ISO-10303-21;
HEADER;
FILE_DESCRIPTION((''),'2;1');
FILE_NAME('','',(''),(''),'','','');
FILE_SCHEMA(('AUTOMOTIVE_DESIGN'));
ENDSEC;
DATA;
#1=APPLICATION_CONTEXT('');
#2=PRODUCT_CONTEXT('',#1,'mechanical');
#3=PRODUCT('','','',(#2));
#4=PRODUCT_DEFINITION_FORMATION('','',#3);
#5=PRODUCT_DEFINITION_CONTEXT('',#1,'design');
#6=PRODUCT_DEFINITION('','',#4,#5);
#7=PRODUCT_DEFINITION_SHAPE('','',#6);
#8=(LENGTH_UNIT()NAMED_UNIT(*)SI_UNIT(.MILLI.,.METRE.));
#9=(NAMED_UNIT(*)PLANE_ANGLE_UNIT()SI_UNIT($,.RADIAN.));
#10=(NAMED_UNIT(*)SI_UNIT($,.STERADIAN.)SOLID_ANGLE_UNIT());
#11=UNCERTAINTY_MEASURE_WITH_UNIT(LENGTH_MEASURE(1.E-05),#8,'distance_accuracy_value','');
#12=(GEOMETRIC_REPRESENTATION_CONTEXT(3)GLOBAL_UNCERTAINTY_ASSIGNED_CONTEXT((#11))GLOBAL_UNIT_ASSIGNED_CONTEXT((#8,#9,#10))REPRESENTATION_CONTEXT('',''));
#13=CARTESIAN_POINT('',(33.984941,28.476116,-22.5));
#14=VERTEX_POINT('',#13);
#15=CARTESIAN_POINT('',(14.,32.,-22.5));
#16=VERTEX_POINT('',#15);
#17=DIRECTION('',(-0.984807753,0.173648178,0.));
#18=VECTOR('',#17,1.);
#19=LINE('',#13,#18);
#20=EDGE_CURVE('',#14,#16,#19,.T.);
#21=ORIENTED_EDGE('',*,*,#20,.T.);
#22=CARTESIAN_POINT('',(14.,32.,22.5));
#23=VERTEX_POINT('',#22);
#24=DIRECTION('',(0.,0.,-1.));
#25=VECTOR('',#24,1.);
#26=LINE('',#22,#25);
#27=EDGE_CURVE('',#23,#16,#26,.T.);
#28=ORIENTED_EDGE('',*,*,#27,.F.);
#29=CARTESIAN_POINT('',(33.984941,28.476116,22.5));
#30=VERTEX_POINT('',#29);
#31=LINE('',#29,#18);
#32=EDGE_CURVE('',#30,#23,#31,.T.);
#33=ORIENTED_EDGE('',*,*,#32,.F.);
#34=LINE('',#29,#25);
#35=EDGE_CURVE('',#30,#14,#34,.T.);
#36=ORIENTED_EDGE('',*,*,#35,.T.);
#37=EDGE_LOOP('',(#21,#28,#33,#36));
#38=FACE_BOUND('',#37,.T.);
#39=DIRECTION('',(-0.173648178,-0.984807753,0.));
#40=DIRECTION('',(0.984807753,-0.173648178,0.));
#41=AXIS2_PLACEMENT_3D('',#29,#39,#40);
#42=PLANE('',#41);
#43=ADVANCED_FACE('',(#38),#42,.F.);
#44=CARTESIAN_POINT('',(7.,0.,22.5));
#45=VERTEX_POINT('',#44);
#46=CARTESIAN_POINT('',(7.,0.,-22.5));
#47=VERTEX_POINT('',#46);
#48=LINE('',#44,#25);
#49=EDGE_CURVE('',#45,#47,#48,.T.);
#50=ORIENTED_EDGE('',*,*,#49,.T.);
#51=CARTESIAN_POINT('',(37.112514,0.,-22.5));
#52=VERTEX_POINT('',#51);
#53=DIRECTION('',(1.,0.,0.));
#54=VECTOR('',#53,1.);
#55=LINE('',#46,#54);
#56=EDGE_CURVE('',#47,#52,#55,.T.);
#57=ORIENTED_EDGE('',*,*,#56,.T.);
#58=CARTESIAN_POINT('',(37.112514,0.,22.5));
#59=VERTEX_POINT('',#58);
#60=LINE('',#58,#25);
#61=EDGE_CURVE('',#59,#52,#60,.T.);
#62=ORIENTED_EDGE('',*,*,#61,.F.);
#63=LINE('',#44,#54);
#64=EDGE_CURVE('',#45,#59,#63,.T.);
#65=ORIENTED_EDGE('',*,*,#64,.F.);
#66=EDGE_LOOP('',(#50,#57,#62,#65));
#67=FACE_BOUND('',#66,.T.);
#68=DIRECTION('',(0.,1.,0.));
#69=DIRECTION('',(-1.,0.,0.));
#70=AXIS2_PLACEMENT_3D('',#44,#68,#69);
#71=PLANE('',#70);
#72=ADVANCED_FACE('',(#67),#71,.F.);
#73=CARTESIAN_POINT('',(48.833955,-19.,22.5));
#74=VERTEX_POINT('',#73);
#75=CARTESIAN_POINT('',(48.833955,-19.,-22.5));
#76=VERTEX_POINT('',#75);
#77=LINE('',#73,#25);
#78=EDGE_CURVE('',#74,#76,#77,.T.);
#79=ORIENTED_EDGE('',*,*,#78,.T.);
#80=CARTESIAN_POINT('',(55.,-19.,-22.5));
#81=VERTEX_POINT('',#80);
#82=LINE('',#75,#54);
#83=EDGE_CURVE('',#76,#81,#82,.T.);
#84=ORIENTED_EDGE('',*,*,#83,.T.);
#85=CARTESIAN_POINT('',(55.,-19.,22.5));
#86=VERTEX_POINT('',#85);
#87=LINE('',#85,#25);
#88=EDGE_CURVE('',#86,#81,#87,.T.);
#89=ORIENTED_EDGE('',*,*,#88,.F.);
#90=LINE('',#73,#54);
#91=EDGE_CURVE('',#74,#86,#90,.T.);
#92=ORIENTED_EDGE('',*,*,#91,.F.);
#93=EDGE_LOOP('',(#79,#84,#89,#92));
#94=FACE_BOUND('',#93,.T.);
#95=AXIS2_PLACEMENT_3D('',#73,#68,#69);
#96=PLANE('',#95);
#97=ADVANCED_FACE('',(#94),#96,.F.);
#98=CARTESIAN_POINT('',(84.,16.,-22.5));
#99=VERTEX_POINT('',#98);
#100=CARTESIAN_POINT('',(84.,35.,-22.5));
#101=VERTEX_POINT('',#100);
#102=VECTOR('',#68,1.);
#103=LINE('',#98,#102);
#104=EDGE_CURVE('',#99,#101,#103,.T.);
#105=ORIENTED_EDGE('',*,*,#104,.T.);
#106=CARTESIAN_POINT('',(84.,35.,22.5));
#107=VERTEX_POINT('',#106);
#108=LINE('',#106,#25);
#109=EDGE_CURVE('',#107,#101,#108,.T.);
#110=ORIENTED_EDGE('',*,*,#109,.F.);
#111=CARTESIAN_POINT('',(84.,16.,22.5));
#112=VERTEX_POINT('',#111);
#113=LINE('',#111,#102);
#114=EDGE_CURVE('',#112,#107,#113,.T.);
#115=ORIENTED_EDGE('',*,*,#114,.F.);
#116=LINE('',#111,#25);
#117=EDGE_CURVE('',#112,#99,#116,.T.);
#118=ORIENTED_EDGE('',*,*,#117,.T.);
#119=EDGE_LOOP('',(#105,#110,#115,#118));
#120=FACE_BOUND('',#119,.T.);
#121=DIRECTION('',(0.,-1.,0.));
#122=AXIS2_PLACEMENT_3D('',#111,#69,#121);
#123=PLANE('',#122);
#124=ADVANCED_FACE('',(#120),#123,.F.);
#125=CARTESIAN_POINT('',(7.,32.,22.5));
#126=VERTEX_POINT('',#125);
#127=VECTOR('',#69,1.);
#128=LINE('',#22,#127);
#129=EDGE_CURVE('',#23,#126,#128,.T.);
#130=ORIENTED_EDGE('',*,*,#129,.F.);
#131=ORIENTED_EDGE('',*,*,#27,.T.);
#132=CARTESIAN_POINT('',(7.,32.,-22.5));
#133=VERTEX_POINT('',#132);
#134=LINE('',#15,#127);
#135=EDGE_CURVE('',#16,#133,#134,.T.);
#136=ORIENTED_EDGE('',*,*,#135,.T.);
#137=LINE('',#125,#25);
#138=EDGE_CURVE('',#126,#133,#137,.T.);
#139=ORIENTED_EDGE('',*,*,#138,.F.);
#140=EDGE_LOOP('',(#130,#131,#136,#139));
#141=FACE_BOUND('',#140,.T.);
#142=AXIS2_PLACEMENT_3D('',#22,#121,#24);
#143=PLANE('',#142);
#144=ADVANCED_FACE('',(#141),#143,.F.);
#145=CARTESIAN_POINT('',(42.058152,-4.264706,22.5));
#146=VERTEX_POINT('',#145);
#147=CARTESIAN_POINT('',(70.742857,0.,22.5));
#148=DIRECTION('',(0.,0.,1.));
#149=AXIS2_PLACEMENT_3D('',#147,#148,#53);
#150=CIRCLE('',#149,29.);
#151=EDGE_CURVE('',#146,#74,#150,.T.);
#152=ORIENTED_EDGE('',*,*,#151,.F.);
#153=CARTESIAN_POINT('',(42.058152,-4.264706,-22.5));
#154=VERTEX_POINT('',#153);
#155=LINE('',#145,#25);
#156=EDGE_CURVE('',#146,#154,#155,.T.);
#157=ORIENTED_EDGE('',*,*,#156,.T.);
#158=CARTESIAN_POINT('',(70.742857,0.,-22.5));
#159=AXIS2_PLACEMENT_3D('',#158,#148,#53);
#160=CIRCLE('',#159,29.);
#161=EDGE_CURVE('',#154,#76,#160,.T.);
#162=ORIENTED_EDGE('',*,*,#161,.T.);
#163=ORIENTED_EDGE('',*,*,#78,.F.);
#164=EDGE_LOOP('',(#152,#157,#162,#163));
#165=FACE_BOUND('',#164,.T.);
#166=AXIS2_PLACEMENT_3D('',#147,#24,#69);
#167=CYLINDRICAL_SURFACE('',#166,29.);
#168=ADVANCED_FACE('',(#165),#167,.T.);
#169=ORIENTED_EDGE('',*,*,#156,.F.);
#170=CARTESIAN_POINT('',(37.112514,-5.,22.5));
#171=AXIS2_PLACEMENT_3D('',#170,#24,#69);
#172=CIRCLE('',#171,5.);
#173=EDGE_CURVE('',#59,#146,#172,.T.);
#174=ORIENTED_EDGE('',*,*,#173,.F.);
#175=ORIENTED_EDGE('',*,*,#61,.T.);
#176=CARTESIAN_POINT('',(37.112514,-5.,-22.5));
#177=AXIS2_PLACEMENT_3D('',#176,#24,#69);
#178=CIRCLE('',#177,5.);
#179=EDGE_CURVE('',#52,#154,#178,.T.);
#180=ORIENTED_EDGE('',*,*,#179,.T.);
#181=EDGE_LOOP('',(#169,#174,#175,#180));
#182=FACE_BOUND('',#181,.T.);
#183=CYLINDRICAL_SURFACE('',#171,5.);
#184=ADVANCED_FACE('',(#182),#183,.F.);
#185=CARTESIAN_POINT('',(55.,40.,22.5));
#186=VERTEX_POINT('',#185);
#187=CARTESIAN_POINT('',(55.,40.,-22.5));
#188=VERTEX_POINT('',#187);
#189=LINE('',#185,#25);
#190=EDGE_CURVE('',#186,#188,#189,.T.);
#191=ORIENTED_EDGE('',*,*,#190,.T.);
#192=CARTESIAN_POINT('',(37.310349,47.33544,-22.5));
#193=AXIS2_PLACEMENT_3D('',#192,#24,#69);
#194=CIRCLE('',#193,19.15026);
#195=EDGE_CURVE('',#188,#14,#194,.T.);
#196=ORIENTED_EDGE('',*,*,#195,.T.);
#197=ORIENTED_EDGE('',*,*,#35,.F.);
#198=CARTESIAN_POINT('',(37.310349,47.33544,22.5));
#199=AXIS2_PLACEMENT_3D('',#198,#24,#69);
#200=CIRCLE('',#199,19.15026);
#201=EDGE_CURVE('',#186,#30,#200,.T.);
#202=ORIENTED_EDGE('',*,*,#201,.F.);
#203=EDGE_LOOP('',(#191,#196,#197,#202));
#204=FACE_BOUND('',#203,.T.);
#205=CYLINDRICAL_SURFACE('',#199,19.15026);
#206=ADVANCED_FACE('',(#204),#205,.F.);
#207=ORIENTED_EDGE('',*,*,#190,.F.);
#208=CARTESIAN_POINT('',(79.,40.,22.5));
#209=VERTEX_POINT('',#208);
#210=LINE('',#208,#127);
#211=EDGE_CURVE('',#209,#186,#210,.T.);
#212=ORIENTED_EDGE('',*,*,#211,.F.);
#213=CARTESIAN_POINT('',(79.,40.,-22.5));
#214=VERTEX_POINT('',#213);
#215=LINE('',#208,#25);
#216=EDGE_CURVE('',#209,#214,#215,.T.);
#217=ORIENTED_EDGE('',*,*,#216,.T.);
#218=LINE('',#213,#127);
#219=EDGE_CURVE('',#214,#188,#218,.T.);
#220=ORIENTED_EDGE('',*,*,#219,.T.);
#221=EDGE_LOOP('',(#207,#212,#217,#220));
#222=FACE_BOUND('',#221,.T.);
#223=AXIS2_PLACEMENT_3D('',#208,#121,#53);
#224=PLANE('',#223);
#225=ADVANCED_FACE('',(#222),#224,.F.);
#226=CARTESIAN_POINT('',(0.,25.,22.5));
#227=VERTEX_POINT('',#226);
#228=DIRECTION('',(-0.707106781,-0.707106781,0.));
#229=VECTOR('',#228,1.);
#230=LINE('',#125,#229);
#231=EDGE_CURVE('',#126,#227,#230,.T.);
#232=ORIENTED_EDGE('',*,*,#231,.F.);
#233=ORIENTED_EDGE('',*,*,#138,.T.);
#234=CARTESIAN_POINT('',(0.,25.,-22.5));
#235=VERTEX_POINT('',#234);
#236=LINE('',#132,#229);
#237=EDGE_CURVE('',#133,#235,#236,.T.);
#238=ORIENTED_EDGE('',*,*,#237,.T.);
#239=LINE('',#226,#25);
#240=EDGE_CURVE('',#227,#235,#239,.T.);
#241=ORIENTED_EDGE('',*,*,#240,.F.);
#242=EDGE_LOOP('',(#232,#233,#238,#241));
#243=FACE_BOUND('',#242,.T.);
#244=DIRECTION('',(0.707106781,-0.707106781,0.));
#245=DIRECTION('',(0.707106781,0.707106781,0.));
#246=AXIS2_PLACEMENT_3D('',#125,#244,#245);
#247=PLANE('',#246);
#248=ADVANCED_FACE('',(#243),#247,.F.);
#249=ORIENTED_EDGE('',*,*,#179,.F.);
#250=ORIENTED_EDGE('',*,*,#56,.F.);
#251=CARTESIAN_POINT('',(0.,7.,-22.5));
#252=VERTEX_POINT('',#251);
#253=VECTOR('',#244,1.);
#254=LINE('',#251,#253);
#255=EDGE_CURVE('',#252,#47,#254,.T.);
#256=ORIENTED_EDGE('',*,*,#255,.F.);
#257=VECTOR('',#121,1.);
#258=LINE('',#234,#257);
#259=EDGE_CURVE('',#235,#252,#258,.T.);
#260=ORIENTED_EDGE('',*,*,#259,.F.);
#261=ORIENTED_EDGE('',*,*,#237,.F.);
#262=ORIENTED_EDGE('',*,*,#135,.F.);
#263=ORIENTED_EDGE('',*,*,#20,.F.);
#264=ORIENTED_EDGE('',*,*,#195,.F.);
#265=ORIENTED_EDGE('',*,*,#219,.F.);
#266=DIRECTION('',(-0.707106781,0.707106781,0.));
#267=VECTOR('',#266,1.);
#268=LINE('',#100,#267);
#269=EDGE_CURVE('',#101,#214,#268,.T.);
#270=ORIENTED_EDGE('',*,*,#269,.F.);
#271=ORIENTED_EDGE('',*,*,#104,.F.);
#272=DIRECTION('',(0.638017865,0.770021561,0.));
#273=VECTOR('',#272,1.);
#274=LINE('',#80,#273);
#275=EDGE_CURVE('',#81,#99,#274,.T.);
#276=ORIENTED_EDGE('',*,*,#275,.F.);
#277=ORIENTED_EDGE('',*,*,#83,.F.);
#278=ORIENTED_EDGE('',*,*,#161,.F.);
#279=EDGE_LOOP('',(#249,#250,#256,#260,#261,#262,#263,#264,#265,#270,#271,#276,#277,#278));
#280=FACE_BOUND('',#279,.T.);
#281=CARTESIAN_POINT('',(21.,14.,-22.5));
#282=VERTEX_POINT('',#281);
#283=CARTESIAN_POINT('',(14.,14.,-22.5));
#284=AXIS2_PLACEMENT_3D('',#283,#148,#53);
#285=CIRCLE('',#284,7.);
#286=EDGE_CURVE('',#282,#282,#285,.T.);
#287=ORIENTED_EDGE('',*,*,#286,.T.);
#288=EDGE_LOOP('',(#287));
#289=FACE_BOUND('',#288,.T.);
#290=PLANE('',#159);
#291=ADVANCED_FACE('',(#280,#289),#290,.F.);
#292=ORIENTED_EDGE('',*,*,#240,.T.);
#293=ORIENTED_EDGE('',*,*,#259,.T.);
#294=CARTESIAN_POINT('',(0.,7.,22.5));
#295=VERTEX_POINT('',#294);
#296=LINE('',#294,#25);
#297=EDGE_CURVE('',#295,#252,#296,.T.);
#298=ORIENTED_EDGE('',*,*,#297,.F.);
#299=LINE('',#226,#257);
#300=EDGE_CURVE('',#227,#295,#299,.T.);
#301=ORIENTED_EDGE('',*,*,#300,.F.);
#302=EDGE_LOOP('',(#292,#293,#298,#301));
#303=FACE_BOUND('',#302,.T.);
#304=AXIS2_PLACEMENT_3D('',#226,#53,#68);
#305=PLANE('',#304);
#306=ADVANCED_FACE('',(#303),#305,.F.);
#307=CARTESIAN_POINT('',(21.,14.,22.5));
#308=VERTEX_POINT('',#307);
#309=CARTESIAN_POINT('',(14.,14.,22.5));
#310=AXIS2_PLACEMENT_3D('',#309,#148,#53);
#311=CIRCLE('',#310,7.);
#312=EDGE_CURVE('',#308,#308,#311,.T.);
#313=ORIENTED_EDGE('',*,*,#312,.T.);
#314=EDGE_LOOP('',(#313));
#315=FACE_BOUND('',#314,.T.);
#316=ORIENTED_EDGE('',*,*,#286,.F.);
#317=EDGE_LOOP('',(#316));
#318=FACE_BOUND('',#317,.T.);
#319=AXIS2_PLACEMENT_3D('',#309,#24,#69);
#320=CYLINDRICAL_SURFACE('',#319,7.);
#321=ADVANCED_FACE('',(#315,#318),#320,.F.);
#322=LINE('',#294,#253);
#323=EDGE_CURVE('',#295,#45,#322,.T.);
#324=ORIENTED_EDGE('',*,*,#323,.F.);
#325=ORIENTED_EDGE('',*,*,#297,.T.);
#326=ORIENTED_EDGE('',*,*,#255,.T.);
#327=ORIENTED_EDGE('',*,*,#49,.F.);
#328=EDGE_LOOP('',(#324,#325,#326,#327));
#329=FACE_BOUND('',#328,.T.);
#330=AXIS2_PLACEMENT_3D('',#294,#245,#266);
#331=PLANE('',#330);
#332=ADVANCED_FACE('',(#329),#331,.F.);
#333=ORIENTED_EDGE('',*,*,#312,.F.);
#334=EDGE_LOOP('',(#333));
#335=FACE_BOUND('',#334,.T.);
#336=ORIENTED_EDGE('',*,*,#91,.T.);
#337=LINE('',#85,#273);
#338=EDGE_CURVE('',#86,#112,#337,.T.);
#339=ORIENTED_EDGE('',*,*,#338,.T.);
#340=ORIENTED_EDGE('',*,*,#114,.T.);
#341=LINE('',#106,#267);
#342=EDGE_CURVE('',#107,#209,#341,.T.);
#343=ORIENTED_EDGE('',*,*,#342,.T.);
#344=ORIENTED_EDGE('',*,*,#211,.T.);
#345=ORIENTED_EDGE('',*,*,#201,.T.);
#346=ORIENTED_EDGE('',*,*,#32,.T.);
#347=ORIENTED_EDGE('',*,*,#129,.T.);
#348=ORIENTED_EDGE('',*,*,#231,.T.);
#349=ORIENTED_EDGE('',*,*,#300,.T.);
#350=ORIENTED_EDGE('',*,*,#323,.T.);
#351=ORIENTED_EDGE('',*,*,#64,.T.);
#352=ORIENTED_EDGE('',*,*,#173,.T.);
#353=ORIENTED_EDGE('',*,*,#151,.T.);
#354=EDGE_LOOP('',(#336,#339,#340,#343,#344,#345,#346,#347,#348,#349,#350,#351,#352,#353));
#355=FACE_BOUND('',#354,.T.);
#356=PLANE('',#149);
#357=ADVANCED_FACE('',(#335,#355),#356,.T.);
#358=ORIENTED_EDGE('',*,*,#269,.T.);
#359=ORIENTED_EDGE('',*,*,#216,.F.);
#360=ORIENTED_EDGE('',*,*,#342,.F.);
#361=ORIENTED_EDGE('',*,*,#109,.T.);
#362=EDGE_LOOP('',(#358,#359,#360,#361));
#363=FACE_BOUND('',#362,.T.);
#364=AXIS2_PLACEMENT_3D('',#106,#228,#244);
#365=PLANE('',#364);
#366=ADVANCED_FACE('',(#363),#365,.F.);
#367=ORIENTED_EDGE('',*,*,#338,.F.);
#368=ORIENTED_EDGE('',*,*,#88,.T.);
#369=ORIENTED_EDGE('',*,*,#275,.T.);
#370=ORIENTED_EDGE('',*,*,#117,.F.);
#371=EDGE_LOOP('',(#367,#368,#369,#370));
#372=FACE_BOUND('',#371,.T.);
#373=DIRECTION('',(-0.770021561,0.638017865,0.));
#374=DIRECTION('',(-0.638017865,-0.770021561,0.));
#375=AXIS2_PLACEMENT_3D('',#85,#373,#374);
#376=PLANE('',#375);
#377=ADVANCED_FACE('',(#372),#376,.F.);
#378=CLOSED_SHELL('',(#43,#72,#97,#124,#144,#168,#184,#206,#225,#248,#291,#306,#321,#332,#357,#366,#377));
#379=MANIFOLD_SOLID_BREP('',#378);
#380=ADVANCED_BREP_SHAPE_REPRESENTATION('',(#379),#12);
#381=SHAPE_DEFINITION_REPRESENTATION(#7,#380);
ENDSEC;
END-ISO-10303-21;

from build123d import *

# Parameters (mm, degrees)
ESQUISSE2_R        = 7
BOSS_EXTRU_2_DEPTH = 22.5


with BuildPart() as part:
    # Esquisse2 → Boss.-Extru.2 (new body, symmetric)
    with BuildSketch(Plane.XY):
        with BuildLine():
            Line((48.833954843, -19), (55, -19))
            Line((55, -19), (84, 16))
            Line((84, 16), (84, 35))
            Line((84, 35), (79, 40))
            Line((79, 40), (55, 40))
            ThreePointArc((55, 40), (46.518108988, 30.544085173), (33.984940886, 28.476115714))
            Line((33.984940886, 28.476115714), (14, 32))
            Line((14, 32), (7, 32))
            Line((7, 32), (0, 25))
            Line((0, 25), (0, 7))
            Line((0, 7), (7, 0))
            Line((7, 0), (37.112513701, 0))
            ThreePointArc((37.112513701, 0), (40.377749482, -1.213413768), (42.058152443, -4.264705882))
            ThreePointArc((42.058152443, -4.264705882), (44.394982646, -12.115672061), (48.833954843, -19))
        make_face()
        with Locations((14, 14)):
            Circle(ESQUISSE2_R, mode=Mode.SUBTRACT)
    extrude(amount=BOSS_EXTRU_2_DEPTH, both=True)


solid = part.part
